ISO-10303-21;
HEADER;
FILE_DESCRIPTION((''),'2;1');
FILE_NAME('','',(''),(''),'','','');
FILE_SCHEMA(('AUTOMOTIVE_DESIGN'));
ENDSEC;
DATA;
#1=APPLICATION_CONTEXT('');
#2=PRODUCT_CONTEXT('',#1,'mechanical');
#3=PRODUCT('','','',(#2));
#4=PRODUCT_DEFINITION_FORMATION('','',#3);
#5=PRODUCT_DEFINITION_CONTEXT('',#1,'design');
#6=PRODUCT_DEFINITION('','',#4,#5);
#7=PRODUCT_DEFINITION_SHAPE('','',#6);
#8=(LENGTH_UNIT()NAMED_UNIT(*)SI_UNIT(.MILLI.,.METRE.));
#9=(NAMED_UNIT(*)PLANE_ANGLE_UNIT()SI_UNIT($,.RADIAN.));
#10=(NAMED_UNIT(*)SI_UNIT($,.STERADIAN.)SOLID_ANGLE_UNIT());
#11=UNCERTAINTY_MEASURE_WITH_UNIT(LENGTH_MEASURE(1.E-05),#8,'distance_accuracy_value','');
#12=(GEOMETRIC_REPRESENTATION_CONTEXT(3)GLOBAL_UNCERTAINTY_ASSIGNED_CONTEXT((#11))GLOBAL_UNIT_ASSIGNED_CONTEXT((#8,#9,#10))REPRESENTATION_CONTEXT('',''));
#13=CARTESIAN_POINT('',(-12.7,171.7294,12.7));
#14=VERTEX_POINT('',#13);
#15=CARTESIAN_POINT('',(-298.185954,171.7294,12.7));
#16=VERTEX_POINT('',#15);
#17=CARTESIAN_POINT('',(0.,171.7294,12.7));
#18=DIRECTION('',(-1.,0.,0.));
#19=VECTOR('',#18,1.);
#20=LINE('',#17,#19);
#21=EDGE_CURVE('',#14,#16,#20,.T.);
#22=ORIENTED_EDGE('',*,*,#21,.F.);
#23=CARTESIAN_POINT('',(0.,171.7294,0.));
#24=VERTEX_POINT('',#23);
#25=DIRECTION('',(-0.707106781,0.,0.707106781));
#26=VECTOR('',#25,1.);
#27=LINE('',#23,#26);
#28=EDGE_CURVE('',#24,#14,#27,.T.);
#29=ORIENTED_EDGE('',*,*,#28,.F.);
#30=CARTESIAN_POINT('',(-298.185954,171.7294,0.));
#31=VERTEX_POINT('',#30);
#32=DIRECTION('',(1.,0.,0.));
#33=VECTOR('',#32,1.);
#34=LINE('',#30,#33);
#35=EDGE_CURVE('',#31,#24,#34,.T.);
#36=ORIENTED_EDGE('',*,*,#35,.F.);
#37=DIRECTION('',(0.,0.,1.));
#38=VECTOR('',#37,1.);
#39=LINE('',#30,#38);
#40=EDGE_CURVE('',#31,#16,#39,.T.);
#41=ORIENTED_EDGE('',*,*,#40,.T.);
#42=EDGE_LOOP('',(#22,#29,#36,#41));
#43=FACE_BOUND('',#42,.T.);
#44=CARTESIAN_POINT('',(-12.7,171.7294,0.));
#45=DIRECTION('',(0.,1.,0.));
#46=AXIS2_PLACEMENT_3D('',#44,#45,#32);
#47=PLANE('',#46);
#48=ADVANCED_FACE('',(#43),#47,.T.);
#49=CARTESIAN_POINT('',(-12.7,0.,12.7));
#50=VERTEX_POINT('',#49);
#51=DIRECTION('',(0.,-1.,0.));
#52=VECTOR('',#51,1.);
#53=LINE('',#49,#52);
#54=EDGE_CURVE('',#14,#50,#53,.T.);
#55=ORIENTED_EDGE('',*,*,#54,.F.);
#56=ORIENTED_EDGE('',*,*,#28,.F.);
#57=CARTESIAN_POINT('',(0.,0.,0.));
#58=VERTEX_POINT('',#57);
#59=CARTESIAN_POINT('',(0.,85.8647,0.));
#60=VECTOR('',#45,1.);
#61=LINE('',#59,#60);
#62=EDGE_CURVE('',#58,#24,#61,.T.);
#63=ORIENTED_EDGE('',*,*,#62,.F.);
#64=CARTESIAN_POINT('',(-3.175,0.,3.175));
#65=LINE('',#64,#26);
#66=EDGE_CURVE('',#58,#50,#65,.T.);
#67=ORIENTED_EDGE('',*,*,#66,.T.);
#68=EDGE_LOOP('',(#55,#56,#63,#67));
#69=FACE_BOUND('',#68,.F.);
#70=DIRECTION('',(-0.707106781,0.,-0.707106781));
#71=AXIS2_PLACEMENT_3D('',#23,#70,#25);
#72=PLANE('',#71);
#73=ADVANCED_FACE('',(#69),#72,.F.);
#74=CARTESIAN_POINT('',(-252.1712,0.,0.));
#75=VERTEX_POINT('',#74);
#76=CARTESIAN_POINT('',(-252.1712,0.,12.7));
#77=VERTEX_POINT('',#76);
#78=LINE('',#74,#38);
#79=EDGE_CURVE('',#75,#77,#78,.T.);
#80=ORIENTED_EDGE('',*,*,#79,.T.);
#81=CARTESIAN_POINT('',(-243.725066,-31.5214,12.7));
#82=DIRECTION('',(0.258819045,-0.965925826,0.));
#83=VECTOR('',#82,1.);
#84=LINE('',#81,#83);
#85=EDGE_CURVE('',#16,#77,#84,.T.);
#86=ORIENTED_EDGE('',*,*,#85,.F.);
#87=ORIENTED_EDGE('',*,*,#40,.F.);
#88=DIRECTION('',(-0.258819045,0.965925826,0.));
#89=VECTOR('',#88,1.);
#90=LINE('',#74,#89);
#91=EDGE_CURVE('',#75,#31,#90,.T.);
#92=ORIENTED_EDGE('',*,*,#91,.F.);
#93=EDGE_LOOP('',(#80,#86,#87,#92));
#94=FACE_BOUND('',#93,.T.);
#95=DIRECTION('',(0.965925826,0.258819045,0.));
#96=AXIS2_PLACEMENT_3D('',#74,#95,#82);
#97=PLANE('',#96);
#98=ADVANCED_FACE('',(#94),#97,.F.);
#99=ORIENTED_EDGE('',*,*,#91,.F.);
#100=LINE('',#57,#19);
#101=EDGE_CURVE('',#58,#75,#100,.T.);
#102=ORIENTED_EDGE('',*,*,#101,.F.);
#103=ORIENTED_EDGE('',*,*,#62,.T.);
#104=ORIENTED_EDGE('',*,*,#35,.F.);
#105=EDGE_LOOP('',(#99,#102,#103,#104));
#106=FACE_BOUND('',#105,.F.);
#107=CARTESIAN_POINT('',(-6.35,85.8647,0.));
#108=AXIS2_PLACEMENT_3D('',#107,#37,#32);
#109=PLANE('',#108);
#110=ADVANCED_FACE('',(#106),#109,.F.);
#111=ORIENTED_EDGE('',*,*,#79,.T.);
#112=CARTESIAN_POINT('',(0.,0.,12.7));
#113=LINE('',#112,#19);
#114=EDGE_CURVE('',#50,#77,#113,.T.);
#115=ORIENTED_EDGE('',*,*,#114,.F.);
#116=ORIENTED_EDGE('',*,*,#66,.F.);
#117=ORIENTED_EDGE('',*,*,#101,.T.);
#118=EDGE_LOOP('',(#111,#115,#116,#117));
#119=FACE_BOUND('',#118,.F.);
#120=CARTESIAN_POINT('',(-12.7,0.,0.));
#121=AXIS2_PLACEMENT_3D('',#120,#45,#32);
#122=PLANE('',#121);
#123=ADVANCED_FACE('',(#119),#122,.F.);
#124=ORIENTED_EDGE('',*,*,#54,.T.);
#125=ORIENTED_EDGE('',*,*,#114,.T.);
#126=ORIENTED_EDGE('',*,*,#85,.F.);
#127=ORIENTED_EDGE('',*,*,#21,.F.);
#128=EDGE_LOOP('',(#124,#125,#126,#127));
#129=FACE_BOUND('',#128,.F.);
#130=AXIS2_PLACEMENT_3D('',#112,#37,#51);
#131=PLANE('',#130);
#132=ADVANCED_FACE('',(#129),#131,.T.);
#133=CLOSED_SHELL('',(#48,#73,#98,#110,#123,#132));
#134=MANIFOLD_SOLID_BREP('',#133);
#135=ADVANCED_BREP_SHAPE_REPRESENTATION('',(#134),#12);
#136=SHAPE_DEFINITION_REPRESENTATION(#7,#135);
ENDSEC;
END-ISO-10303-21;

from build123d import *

# Parameters (mm, degrees)
SKETCH2_W           = 12.7
SKETCH2_H           = 171.7294
BOSS_EXTRUDE2_DEPTH = 381
CUT_EXTRUDE1_DEPTH  = 13.7
CUT_EXTRUDE2_DEPTH  = 172.7294


with BuildPart() as part:
    # Sketch2 → Boss-Extrude2 (new body)
    with BuildSketch(Plane.XY):
        with Locations((-6.35, 85.8647)):
            Rectangle(SKETCH2_W, SKETCH2_H)
    extrude(amount=BOSS_EXTRUDE2_DEPTH)

    # Sketch3 → Cut-Extrude1 (cut, through all)
    with BuildSketch(Plane(origin=(0, 0, 0), x_dir=(0, 0, -1), z_dir=(1, 0, 0))):
        Polygon((-252.1712, 0), (-298.185954047, 171.7294), (-381, 171.7294), (-381, 0), align=None)
    extrude(amount=-CUT_EXTRUDE1_DEPTH, mode=Mode.SUBTRACT)

    # Mirror2: part across plane


with BuildPart() as part_1:
    add(part.part)
    add(part.part.mirror(Plane(origin=(0, 0, 0), x_dir=(-0.707106781, 0, 0.707106781), z_dir=(0.707106781, 0, 0.707106781))))

    # Sketch4 → Cut-Extrude2 (cut, through all)
    with BuildSketch(Plane(origin=(0, 171.7294, 0), x_dir=(1, 0, 0), z_dir=(0, 1, 0))):
        Polygon((0, 0), (-12.7, -12.7), (-12.7, -298.185954047), (0, -298.185954047), align=None)
    extrude(amount=-CUT_EXTRUDE2_DEPTH, mode=Mode.SUBTRACT)


solid = part_1.part
